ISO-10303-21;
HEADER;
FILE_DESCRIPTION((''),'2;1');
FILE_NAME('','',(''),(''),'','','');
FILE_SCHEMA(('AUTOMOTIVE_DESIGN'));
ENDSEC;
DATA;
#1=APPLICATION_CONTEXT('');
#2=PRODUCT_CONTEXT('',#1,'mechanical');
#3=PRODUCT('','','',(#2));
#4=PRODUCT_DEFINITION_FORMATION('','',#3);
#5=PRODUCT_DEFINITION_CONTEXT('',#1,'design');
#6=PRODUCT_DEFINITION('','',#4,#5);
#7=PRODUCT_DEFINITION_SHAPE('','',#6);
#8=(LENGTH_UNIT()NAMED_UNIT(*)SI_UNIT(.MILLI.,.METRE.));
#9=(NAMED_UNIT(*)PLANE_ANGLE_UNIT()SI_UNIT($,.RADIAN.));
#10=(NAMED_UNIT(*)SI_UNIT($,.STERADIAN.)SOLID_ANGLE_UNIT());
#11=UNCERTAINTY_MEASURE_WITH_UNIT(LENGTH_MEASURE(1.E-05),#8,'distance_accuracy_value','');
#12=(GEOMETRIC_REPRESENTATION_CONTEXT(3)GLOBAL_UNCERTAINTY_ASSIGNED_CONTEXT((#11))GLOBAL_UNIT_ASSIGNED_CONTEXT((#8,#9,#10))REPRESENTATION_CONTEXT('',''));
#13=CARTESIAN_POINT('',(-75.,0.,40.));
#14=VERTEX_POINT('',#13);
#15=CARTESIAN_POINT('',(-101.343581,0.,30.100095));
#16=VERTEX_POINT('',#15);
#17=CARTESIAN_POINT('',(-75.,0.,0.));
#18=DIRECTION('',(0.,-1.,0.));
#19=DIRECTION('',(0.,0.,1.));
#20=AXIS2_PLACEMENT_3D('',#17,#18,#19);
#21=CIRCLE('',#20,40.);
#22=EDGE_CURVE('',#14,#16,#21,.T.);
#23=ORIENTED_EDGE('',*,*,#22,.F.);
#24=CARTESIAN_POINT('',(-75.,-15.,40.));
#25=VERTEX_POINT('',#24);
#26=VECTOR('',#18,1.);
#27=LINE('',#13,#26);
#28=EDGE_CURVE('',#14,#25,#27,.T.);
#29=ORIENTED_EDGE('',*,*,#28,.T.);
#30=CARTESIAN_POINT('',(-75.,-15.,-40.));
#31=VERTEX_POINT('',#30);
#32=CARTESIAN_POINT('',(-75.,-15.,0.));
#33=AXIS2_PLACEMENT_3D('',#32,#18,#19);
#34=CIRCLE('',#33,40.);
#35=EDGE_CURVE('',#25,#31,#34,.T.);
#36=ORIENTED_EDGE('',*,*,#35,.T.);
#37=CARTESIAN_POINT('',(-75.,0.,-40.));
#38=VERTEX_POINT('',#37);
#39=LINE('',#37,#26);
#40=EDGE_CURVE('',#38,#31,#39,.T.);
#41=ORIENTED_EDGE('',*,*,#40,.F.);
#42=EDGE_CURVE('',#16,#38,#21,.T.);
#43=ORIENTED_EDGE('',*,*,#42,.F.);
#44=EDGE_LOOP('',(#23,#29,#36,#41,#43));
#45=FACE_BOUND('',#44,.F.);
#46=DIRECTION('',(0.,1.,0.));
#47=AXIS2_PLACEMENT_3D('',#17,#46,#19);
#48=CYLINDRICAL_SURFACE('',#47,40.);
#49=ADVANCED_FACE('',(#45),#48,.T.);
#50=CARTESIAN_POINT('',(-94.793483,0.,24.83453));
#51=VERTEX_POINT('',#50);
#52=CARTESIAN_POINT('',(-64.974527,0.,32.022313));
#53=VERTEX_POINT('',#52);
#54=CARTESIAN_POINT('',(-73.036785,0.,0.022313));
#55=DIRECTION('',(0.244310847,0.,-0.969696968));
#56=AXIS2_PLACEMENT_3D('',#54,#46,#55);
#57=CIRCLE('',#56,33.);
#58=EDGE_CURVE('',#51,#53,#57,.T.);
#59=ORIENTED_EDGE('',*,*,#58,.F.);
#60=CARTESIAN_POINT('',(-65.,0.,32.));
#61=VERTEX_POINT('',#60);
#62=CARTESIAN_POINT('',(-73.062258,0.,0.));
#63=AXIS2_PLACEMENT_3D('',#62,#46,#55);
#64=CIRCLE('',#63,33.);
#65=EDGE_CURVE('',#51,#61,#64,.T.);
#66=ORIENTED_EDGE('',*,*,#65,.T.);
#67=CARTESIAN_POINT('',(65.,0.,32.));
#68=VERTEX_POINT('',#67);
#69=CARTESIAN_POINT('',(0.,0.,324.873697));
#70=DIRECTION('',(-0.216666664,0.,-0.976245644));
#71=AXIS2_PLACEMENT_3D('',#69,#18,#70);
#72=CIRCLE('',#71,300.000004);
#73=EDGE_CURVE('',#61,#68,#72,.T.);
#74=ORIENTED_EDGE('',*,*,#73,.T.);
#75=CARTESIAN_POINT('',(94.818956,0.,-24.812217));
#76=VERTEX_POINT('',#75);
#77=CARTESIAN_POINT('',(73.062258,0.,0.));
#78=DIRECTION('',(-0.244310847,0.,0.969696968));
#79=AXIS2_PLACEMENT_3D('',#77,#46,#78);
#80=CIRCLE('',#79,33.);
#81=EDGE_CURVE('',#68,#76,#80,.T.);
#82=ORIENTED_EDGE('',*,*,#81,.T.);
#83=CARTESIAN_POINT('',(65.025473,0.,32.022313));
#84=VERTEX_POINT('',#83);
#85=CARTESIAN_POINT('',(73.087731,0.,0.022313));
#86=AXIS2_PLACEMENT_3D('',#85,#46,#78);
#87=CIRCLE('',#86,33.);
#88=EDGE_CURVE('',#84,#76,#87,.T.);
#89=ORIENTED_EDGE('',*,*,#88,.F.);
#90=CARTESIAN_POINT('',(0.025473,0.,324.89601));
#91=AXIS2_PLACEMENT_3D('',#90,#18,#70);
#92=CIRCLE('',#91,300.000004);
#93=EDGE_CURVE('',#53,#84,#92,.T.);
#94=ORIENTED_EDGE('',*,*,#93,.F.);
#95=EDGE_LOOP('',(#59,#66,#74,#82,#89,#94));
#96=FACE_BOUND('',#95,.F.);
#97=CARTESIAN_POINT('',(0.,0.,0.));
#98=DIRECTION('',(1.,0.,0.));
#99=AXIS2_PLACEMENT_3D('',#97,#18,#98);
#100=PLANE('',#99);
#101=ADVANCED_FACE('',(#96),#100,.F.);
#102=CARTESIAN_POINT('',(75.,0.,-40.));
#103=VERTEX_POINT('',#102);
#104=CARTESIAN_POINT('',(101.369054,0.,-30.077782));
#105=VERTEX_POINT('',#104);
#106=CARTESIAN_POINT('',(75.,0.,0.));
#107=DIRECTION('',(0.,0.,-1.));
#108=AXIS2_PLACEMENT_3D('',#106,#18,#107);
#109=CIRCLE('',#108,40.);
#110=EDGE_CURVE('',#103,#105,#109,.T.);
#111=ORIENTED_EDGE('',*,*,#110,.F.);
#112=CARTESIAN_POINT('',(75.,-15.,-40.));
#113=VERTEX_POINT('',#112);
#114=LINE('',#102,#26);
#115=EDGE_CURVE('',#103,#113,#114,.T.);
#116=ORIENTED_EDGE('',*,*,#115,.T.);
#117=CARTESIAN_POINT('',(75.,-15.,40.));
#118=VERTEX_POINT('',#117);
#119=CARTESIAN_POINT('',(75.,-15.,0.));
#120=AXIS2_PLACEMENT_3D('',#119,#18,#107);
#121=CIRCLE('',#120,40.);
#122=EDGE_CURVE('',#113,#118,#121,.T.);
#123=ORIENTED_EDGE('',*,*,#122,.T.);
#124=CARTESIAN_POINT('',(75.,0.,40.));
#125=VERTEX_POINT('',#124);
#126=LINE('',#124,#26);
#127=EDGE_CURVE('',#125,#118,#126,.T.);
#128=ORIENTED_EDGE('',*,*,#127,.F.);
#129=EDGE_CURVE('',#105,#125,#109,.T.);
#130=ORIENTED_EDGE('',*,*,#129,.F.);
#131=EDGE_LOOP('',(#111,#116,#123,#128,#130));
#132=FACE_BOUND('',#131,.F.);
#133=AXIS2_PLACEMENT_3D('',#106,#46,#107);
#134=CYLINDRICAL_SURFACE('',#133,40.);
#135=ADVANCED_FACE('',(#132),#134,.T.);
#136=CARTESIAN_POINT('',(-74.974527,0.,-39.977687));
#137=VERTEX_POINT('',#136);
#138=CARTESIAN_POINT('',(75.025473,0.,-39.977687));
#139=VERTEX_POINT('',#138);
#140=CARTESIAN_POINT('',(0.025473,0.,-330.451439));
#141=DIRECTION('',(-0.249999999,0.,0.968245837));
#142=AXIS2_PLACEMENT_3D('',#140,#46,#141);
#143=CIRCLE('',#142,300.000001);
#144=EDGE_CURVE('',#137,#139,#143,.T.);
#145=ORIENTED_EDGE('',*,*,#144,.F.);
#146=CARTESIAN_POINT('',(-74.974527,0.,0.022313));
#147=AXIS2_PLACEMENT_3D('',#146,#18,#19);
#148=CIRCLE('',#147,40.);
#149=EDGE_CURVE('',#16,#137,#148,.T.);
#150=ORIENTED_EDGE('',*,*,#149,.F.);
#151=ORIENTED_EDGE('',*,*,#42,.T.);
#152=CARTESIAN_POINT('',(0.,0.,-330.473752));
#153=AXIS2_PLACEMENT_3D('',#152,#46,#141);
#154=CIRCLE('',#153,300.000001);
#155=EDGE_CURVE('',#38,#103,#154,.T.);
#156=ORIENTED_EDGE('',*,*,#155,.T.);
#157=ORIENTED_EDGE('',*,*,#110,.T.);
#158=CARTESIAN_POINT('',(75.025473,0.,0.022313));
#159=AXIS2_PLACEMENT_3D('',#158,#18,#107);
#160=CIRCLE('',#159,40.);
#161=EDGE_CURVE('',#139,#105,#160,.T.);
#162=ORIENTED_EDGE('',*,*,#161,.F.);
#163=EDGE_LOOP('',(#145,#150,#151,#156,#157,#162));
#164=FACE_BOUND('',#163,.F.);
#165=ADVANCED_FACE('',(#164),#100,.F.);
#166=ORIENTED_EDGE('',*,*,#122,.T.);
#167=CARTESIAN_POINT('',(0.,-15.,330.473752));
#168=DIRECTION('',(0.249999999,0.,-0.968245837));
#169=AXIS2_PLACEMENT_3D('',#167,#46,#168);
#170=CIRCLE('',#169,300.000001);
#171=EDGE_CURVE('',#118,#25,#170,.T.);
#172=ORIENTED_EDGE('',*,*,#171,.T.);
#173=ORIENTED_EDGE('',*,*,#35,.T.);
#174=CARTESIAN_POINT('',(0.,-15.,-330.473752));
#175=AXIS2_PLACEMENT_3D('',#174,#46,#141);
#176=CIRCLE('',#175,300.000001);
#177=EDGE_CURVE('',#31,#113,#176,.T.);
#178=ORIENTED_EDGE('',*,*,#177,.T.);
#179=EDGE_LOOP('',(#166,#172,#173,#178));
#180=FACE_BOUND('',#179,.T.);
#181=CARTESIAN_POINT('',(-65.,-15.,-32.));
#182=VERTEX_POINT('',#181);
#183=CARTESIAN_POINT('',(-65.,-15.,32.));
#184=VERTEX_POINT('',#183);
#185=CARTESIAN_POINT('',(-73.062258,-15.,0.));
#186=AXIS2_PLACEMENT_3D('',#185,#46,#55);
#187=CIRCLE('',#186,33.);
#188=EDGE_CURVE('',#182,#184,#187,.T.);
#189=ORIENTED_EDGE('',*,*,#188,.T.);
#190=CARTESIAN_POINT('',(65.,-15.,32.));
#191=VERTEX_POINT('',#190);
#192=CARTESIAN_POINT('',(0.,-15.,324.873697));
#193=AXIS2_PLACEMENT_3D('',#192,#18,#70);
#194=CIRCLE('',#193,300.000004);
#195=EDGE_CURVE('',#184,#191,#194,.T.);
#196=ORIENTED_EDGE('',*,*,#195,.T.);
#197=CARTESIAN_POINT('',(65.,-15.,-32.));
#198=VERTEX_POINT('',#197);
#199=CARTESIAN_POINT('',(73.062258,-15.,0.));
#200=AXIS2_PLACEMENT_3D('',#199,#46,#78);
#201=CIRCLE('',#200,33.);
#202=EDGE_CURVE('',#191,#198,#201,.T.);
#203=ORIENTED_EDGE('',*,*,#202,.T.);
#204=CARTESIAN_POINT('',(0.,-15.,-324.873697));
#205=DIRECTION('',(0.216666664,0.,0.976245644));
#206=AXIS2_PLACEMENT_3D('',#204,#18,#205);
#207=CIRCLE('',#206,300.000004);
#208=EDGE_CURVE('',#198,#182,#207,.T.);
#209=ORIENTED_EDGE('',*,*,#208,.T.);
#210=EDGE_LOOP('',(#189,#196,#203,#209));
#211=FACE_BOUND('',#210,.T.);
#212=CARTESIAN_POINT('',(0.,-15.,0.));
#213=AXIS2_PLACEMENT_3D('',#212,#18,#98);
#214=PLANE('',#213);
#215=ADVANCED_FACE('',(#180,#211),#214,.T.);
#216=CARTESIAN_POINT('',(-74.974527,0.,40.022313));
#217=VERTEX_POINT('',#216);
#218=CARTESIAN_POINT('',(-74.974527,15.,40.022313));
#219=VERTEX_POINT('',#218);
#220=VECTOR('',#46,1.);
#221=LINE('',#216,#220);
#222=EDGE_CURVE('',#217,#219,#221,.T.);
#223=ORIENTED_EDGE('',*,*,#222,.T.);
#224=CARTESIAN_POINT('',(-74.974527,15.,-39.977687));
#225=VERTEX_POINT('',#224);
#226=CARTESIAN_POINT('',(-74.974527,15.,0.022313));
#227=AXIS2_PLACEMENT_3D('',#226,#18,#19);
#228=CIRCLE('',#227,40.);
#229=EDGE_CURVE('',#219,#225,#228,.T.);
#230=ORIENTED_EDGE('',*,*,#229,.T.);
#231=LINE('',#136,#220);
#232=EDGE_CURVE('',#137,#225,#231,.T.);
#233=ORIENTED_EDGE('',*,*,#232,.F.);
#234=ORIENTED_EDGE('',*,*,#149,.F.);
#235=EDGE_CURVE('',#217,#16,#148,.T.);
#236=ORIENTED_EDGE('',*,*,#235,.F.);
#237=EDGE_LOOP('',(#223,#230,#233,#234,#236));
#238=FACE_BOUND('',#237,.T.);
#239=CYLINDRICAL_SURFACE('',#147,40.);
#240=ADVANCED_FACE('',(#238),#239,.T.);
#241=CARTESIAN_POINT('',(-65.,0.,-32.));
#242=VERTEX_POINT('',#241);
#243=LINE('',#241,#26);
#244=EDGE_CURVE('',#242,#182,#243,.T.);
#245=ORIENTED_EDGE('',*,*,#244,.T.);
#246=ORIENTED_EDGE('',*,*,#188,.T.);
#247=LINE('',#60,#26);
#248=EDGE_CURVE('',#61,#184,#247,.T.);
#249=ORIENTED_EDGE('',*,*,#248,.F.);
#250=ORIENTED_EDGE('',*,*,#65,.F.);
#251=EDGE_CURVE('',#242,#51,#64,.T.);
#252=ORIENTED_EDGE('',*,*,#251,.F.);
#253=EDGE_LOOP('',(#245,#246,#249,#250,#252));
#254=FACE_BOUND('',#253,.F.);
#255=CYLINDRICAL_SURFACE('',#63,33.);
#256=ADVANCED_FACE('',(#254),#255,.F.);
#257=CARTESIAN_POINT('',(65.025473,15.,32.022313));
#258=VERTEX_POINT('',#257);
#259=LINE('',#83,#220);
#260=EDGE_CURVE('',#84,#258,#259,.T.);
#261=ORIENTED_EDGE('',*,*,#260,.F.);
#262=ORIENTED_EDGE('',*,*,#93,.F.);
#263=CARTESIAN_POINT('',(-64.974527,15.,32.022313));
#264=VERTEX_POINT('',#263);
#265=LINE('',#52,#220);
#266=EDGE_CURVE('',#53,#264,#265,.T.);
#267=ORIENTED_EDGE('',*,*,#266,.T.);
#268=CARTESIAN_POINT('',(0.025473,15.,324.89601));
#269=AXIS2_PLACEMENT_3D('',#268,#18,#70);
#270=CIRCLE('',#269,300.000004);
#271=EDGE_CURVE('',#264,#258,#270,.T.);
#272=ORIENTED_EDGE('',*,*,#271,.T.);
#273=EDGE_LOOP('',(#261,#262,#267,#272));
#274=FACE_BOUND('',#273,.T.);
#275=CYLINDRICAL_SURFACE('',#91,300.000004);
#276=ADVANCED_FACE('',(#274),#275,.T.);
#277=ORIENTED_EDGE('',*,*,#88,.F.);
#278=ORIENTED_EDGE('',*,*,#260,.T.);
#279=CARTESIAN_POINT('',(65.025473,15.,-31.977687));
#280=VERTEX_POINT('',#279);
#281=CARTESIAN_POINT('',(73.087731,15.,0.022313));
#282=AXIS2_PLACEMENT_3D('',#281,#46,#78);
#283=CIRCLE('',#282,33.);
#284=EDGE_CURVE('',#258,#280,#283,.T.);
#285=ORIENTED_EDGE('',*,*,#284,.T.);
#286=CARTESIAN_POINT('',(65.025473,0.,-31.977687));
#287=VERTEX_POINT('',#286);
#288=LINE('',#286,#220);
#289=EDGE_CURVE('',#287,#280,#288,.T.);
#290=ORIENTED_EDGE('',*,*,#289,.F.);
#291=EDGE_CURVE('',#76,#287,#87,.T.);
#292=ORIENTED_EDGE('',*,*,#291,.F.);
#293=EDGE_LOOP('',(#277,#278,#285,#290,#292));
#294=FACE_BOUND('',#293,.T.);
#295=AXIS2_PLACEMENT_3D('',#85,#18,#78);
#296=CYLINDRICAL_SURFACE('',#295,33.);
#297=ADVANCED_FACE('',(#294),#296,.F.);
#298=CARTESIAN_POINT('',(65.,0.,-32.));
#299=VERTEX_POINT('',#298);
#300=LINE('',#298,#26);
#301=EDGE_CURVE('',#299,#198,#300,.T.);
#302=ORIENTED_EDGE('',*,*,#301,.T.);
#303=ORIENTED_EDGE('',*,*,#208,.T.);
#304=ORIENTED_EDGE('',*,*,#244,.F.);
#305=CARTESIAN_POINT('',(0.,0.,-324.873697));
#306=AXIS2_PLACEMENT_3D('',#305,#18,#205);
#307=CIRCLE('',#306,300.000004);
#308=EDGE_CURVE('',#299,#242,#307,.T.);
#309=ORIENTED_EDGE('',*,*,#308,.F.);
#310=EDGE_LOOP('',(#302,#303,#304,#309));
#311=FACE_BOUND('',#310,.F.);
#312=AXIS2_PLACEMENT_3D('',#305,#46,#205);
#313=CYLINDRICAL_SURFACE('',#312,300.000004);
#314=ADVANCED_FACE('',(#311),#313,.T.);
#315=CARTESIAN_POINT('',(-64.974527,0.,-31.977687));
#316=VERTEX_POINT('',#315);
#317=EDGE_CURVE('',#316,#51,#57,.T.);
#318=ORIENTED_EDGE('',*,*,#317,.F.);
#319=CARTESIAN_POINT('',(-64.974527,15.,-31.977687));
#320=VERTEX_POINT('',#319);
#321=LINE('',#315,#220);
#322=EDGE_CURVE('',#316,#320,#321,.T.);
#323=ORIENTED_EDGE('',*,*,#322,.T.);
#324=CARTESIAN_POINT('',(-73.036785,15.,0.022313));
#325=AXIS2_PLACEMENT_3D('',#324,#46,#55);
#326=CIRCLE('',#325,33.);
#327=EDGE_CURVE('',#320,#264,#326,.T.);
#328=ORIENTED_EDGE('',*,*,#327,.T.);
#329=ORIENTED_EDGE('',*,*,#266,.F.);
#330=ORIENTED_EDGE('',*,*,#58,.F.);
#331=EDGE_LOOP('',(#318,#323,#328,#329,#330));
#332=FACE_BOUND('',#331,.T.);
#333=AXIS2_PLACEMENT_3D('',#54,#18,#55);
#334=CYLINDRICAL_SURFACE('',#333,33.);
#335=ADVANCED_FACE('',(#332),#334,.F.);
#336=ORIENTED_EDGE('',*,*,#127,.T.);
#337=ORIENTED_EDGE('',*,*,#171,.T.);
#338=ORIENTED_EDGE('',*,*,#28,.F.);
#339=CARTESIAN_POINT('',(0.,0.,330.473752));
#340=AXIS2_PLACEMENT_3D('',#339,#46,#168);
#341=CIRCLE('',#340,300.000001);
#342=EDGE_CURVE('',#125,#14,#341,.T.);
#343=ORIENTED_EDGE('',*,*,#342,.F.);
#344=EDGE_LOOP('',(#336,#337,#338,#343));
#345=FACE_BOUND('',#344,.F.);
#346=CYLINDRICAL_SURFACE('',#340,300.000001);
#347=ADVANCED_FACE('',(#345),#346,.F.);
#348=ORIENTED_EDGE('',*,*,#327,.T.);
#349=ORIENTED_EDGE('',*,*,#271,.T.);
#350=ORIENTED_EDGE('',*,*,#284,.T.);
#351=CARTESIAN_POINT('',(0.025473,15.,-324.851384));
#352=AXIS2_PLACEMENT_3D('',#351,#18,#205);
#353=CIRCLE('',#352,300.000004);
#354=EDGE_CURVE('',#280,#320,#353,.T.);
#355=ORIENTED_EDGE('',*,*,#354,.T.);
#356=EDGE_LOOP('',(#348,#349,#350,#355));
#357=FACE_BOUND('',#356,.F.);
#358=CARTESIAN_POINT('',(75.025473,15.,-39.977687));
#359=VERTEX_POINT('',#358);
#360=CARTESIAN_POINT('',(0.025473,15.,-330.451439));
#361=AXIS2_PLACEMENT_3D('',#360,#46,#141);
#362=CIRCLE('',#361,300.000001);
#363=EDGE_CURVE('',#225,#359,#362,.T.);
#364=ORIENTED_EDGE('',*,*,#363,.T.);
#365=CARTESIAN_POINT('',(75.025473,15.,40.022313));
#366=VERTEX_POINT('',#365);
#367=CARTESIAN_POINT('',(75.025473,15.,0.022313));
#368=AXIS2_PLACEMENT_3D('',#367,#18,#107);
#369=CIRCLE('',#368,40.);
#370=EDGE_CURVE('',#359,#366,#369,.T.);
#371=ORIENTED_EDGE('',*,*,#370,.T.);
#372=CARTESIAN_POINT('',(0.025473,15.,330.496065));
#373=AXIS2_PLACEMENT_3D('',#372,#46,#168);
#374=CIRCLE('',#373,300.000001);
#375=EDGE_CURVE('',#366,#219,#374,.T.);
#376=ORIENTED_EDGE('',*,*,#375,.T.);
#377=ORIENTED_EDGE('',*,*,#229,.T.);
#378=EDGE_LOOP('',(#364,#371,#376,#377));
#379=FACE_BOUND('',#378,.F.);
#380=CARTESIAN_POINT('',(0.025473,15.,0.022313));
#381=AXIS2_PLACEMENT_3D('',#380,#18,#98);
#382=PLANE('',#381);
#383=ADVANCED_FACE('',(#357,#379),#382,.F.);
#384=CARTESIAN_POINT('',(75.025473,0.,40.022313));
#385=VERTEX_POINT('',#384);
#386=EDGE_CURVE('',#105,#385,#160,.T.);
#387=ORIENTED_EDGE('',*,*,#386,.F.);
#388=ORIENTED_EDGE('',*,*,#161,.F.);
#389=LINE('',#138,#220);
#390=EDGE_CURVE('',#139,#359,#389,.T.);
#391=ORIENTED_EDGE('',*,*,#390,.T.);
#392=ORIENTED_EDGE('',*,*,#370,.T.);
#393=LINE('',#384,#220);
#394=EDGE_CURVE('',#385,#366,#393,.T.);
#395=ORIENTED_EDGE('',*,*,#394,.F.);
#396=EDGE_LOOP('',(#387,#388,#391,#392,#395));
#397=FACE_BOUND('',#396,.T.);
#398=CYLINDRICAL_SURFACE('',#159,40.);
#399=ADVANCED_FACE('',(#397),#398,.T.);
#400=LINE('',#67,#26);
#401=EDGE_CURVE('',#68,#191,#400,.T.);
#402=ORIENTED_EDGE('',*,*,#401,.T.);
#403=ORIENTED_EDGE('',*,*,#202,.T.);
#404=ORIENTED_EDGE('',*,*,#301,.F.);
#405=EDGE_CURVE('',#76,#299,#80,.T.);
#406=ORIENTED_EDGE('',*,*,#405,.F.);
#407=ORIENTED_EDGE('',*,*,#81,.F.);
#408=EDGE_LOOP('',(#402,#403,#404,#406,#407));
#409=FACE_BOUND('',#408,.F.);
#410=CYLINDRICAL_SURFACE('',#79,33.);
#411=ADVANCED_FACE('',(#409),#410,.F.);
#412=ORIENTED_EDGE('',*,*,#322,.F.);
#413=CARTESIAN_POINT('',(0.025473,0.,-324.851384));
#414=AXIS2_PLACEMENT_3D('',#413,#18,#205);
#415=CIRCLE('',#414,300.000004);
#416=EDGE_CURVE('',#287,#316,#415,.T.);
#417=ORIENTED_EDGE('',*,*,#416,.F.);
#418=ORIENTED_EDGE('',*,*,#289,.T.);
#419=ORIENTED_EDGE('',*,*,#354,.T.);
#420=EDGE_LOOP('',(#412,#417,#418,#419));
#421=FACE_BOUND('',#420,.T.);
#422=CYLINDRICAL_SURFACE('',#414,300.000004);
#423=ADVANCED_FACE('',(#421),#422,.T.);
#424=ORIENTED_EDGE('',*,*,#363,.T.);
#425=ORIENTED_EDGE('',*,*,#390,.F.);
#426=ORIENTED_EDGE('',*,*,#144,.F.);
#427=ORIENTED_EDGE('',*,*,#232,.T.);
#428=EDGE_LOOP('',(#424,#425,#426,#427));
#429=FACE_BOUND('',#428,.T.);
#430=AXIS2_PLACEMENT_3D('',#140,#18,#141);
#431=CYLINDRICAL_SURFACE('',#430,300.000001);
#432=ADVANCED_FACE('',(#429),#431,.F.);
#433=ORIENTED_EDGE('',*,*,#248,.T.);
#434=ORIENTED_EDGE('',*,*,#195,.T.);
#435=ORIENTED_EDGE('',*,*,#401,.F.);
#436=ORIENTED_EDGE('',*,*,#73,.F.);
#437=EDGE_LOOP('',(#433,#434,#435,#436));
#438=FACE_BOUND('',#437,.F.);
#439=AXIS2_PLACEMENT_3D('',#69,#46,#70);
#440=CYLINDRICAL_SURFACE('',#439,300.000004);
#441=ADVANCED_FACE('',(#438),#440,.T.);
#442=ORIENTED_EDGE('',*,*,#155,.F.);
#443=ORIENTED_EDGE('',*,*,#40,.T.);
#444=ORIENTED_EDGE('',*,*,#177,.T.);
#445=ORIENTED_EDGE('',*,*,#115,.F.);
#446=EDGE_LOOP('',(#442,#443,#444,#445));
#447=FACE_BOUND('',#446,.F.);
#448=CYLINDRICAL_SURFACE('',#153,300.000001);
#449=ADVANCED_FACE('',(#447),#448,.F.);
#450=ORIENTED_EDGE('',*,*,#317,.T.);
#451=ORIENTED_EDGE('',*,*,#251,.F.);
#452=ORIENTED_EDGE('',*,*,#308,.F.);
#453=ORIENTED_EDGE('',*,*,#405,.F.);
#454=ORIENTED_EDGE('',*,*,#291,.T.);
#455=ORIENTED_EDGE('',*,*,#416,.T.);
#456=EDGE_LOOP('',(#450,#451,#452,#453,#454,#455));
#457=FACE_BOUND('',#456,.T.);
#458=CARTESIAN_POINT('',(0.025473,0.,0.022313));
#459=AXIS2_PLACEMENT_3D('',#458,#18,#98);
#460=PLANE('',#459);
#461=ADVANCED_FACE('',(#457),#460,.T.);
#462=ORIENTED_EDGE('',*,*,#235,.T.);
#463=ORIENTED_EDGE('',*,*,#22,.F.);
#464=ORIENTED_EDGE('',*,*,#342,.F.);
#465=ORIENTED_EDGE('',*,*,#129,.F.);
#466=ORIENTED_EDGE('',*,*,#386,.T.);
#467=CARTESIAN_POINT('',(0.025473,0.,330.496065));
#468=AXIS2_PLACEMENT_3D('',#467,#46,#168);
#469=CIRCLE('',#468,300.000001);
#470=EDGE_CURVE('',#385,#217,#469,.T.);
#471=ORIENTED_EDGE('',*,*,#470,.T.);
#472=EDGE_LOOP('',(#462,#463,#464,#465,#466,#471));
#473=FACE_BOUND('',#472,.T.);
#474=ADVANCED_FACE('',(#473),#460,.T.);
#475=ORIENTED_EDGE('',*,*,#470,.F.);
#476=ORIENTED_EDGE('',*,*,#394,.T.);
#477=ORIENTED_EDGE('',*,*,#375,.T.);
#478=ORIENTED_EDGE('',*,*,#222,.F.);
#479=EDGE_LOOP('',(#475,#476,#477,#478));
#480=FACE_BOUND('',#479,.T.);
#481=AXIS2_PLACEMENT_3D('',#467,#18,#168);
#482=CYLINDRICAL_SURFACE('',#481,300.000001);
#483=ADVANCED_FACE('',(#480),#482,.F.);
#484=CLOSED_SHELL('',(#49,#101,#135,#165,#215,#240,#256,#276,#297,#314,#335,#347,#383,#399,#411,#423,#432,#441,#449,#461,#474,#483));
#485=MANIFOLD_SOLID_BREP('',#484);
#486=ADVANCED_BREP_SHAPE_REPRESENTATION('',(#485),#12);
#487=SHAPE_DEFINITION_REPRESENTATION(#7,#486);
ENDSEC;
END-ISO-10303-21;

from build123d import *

# Parameters (mm, degrees)
F1_DEPTH = 15
F3_DEPTH = 15


with BuildPart() as f1:
    # F0 (on Front) → F1 (new body)
    with BuildSketch(Plane.XZ):
        with BuildLine():
            ThreePointArc((-75, -40), (0, -30.473751), (75, -40))
            ThreePointArc((75, -40), (115, 0), (75, 40))
            ThreePointArc((75, 40), (0, 30.473751), (-75, 40))
            ThreePointArc((-75, 40), (-115, 0), (-75, -40))
        make_face()
        with BuildLine():
            ThreePointArc((-65, -32), (-106.062258, 0), (-65, 32))
            ThreePointArc((-65, 32), (0, 24.873693), (65, 32))
            ThreePointArc((65, 32), (106.062258, 0), (65, -32))
            ThreePointArc((65, -32), (0, -24.873693), (-65, -32))
        make_face(mode=Mode.SUBTRACT)
    extrude(amount=F1_DEPTH)

    # F2 (on Front) → F3 (join)
    with BuildSketch(Plane.XZ):
        with BuildLine():
            ThreePointArc((-74.974527, -39.977687), (0.025473, -30.451438), (75.025473, -39.977687))
            ThreePointArc((75.025473, -39.977687), (115.025473, 0.022313), (75.025473, 40.022313))
            ThreePointArc((75.025473, 40.022313), (0.025473, 30.496064), (-74.974527, 40.022313))
            ThreePointArc((-74.974527, 40.022313), (-114.974527, 0.022313), (-74.974527, -39.977687))
        make_face()
        with BuildLine():
            ThreePointArc((-64.974527, -31.977687), (-106.036785, 0.022313), (-64.974527, 32.022313))
            ThreePointArc((-64.974527, 32.022313), (0.025473, 24.896006), (65.025473, 32.022313))
            ThreePointArc((65.025473, 32.022313), (106.087731, 0.022313), (65.025473, -31.977687))
            ThreePointArc((65.025473, -31.977687), (0.025473, -24.85138), (-64.974527, -31.977687))
        make_face(mode=Mode.SUBTRACT)
    extrude(amount=-F3_DEPTH)


solid = f1.part
